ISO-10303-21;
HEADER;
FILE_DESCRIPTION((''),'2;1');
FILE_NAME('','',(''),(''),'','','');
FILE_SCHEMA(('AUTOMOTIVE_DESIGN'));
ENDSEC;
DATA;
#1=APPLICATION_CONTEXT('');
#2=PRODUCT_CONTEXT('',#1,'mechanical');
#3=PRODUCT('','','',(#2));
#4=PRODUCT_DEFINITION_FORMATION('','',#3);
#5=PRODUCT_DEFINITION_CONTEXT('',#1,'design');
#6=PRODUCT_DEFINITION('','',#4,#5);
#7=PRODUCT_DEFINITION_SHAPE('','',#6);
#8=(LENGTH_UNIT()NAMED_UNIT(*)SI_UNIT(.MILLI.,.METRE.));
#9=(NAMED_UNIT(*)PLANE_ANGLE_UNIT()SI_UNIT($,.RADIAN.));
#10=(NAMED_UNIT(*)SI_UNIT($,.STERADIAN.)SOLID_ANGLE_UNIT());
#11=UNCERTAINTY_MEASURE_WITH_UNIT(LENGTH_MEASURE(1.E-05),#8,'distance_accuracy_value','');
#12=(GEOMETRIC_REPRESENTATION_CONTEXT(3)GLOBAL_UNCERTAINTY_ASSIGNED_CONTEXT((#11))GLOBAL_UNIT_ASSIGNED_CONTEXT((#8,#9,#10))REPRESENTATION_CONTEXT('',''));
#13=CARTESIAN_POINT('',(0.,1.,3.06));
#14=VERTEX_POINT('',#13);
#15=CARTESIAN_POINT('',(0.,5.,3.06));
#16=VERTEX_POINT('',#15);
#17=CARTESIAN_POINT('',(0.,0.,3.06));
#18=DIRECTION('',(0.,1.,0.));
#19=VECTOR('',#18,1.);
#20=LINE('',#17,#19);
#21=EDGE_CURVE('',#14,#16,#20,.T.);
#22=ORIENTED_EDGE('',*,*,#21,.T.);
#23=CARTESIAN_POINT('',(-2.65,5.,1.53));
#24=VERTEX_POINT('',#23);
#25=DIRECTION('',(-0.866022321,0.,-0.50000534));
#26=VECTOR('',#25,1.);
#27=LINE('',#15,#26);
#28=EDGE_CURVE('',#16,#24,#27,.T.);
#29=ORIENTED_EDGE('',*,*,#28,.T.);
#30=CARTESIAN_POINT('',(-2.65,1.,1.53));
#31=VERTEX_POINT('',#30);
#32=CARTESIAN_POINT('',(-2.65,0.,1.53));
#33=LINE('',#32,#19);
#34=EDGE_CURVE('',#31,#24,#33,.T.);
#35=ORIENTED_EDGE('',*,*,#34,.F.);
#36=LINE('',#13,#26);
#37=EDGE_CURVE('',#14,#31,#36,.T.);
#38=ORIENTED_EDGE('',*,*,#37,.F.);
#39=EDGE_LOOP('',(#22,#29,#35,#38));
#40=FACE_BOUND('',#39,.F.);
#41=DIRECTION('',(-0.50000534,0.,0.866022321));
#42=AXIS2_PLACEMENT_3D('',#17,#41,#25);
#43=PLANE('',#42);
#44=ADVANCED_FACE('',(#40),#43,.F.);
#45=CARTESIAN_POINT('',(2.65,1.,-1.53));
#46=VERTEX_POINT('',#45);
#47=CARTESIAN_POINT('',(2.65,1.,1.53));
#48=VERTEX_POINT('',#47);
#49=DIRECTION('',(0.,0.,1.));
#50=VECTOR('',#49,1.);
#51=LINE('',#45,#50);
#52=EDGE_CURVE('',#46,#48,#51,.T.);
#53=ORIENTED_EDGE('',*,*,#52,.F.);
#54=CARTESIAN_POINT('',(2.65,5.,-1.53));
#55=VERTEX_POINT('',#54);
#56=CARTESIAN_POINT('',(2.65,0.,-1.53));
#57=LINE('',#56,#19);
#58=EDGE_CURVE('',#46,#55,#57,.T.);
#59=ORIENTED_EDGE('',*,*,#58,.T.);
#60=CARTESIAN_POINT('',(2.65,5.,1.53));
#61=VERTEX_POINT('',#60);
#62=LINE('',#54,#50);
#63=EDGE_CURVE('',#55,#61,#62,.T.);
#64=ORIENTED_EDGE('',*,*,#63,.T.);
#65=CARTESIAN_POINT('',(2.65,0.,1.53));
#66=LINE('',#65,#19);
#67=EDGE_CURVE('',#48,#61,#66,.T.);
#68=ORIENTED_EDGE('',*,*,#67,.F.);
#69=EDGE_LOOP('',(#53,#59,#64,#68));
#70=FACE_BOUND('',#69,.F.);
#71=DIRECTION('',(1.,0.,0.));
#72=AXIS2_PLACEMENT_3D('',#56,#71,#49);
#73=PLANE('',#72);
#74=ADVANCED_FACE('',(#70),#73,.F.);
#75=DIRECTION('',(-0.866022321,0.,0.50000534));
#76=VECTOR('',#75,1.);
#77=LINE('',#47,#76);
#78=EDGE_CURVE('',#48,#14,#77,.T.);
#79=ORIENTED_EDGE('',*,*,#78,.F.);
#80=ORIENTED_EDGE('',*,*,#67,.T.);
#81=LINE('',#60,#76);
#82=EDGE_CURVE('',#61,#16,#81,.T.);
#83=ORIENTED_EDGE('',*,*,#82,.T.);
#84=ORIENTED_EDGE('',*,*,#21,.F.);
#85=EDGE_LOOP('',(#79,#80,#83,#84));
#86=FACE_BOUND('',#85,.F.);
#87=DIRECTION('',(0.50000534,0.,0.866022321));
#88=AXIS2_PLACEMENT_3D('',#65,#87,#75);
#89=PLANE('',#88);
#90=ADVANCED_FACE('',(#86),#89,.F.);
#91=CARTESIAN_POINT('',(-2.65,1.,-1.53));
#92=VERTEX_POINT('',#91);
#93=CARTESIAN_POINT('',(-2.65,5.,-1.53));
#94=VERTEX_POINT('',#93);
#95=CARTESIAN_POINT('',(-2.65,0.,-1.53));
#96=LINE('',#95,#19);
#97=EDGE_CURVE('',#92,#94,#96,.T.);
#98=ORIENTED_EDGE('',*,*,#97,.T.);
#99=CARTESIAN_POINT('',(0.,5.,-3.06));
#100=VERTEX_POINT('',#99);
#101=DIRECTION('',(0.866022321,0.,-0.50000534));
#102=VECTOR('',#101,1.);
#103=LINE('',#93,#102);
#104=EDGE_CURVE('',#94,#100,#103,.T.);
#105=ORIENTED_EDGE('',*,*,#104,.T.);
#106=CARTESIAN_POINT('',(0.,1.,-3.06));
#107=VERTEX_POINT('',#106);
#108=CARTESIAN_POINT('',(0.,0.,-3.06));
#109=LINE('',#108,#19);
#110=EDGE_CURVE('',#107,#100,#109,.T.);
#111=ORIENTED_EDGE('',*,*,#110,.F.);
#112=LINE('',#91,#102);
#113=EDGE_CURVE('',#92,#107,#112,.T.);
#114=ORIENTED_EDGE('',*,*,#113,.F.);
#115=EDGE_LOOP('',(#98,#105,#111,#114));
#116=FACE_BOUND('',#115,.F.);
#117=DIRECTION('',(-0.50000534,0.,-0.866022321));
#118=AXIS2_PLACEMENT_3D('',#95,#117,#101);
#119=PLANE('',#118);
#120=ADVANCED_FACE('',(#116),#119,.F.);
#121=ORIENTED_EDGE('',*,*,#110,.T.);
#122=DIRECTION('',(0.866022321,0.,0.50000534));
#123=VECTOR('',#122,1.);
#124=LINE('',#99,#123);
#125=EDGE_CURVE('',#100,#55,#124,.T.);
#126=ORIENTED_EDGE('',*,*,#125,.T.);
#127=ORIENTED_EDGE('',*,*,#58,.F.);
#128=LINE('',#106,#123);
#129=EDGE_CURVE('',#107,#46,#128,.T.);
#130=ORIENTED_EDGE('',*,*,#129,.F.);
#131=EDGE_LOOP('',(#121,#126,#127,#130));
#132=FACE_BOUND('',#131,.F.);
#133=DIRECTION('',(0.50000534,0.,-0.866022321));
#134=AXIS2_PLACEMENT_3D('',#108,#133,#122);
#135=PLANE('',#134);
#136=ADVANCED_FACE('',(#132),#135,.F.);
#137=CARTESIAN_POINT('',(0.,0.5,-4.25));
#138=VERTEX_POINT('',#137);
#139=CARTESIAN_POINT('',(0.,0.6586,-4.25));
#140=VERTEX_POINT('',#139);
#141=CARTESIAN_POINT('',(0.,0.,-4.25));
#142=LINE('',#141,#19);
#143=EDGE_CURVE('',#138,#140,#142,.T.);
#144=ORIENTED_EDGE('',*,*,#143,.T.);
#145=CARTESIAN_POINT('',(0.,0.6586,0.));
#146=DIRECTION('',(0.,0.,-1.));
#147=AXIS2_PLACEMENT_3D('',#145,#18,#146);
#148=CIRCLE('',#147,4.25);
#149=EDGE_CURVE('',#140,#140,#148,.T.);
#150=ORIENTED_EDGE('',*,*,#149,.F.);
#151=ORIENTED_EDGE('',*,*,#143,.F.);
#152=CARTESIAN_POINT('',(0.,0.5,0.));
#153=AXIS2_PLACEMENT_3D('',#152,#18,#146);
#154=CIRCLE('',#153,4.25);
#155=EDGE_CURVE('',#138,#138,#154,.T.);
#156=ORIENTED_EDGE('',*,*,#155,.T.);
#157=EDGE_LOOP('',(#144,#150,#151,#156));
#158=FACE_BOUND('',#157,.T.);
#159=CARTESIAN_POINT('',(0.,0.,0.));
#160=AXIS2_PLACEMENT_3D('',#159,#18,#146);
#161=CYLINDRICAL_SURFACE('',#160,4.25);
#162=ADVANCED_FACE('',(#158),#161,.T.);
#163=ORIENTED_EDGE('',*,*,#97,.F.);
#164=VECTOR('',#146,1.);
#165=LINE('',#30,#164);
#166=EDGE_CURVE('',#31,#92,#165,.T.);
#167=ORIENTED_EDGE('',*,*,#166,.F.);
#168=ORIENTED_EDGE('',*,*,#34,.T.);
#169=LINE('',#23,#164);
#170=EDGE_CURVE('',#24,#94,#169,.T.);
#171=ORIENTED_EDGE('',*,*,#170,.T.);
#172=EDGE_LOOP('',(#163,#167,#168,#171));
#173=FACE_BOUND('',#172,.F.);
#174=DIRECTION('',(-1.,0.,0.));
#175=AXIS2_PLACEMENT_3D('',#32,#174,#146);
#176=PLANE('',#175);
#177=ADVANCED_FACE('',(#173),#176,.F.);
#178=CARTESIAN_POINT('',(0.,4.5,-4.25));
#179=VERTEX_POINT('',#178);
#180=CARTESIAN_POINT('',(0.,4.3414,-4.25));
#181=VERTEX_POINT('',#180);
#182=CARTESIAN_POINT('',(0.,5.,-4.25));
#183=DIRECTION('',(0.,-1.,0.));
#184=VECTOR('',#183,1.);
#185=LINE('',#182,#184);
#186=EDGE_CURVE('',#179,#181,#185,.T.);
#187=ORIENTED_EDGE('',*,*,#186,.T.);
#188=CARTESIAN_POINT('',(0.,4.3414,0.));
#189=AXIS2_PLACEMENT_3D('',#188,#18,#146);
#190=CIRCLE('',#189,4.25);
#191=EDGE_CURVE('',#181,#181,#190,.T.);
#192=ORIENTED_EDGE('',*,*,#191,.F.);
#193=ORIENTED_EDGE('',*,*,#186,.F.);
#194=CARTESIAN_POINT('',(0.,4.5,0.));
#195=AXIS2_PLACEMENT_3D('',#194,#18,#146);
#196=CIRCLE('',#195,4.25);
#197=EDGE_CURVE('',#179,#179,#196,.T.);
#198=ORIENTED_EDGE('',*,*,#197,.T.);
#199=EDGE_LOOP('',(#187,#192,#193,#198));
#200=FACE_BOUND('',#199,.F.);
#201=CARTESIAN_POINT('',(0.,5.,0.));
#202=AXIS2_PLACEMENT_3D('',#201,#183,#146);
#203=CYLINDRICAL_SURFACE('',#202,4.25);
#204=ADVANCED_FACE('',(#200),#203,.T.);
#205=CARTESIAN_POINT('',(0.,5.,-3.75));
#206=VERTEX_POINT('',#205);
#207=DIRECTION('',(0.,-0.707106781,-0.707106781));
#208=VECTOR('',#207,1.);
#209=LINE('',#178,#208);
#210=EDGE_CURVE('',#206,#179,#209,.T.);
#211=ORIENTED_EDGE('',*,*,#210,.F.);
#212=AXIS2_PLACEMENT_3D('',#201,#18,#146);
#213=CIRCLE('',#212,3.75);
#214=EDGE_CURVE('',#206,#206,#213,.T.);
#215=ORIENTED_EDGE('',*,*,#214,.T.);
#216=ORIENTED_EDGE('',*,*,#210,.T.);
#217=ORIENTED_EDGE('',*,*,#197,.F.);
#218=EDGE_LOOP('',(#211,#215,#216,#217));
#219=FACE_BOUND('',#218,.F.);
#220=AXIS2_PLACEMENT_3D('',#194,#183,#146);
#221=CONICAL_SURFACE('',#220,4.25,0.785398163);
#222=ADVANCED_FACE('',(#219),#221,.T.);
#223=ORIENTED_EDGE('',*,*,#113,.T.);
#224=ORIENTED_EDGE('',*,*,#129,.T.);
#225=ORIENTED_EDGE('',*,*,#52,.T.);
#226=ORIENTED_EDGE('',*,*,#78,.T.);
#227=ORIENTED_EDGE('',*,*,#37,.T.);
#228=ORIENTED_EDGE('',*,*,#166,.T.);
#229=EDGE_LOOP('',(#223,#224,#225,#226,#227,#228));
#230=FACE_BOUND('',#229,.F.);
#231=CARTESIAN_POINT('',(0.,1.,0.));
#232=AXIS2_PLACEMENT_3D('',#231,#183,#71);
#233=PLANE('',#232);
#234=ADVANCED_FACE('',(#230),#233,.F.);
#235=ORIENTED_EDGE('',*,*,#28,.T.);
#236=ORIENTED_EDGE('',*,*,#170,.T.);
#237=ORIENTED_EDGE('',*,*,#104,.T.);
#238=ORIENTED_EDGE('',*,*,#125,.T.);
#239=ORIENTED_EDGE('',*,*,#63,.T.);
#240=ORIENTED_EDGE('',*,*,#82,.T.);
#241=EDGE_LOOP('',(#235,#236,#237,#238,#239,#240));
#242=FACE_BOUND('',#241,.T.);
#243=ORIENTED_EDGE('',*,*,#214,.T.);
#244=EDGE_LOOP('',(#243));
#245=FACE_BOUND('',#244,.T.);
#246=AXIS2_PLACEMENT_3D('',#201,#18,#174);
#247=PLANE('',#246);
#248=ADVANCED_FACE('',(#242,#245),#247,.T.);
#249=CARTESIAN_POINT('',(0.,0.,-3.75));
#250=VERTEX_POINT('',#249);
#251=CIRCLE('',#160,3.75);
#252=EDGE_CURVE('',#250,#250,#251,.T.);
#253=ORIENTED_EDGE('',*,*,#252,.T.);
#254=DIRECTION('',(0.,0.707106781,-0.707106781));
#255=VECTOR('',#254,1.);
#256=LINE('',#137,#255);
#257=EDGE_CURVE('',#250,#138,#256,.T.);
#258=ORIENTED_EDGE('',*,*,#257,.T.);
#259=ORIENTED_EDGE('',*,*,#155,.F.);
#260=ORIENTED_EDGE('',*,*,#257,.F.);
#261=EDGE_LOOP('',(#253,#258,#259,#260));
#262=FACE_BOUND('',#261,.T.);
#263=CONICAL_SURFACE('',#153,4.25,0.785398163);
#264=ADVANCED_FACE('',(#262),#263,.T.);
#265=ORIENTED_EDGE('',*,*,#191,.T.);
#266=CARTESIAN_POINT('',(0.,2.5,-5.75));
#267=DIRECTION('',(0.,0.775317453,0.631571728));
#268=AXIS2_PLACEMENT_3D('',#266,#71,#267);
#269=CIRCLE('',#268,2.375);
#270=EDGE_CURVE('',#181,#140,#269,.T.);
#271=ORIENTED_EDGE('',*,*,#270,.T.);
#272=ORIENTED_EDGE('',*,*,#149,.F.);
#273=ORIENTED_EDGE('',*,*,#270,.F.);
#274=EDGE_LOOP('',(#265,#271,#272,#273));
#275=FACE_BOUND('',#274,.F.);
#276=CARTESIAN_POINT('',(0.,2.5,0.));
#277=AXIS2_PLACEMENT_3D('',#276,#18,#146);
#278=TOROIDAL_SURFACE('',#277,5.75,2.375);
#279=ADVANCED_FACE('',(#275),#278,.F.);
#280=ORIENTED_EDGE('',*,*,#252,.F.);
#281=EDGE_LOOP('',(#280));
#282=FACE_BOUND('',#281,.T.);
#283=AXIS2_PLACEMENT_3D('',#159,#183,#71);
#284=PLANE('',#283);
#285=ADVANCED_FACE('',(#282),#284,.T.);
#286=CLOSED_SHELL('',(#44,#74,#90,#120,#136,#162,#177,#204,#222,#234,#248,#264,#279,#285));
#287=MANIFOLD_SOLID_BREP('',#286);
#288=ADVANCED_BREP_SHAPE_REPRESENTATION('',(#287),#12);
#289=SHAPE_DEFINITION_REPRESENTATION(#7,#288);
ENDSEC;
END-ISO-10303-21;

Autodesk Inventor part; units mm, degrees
ref_plane "YZ Plane" through (0, 0, 0) normal (1, 0, 0) x (0, 1, 0)
ref_plane "XZ Plane" through (0, 0, 0) normal (0, 1, 0) x (-1, 0, 0)
sketch "Sketch1" plane through (0, 0, 0) normal (0, 1, 0) x (-1, 0, 0)
  line L0 (2.65, -1.53) -> (0, -3.06)
  line L1 (0, -3.06) -> (-2.65, -1.53)
  line L2 (-2.65, -1.53) -> (-2.65, 1.53)
  line L3 (-2.65, 1.53) -> (0, 3.06)
  line L4 (0, 3.06) -> (2.65, 1.53)
  line L5 (2.65, 1.53) -> (2.65, -1.53)
  circle A0 centre (0, 0) radius 3.5
  dimension "d1" = 5.3
  dimension "d2" = 7
extrude "Extrusion1" add sketch "Sketch1" along normal blind 5
sketch "Sketch2" plane through (0, 0, 0) normal (1, 0, 0) x (0, 1, 0)
  line L0 (0, -3.5) -> (5, -3.5) projected
  circle A0 centre (2.5, -5.75) radius 2.375
  line L1 (5, -3.5) -> (5, 3.5) projected
  line L2 (5, -3.5) -> (5, -4.25)
  line L3 (5, -4.25) -> (4.3414, -4.25)
  line L4 (0, -3.5) -> (0, 3.5) projected
  line L5 (0, -3.5) -> (0, -4.25)
  line L6 (0, -4.25) -> (0.6586, -4.25)
  line L7 (-1, 0) -> (6, 0) projected
  point P0 (0, 0)
  point P1 (1.7397, -3.5)
  point P2 (3.2603, -3.5)
  dimension "d5" = 4.75
  dimension "d6" = 2.25
  dimension "d7" = 0.75
  dimension "d8" = 0.75
revolve "Revolution1" cut sketch "Sketch2" angle 360 about axis through (0, -10, 0) along (0, 1, 0) contours A0 L0 | L0 A0
revolve "Revolution2" add sketch "Sketch2" angle 360 about axis through (0, -10, 0) along (0, 1, 0) contours L0 A0 L6 L5 | L0 L2 L3 A0
chamfer "Chamfer1" distance 0.5 angle 45 2 edges at (0, 5, 4.25) (0, 0, 4.25)
ref_plane "Work Plane1" through (0, 2.5, 0) normal (0, 1, 0) x (1, 0, 0)
sketch "Sketch3" plane through (0, 0, 0) normal (0, -1, 0) x (1, 0, 0)
  line L0 (-2.65, -1.53) -> (0, -3.06) projected
  line L1 (-2.65, 1.53) -> (-2.65, -1.53) projected
  line L2 (0, 3.06) -> (-2.65, 1.53) projected
  line L3 (2.65, 1.53) -> (0, 3.06) projected
  line L4 (2.65, -1.53) -> (2.65, 1.53) projected
  line L5 (0, -3.06) -> (2.65, -1.53) projected
  circle A0 centre (0, 0) radius 3.75 projected
extrude "Extrusion2" add sketch "Sketch3" against normal blind 1 contours L1 L2 L3 L4 L5 L0
properties part number "5mm Hex Bearing Inside Blocker"
